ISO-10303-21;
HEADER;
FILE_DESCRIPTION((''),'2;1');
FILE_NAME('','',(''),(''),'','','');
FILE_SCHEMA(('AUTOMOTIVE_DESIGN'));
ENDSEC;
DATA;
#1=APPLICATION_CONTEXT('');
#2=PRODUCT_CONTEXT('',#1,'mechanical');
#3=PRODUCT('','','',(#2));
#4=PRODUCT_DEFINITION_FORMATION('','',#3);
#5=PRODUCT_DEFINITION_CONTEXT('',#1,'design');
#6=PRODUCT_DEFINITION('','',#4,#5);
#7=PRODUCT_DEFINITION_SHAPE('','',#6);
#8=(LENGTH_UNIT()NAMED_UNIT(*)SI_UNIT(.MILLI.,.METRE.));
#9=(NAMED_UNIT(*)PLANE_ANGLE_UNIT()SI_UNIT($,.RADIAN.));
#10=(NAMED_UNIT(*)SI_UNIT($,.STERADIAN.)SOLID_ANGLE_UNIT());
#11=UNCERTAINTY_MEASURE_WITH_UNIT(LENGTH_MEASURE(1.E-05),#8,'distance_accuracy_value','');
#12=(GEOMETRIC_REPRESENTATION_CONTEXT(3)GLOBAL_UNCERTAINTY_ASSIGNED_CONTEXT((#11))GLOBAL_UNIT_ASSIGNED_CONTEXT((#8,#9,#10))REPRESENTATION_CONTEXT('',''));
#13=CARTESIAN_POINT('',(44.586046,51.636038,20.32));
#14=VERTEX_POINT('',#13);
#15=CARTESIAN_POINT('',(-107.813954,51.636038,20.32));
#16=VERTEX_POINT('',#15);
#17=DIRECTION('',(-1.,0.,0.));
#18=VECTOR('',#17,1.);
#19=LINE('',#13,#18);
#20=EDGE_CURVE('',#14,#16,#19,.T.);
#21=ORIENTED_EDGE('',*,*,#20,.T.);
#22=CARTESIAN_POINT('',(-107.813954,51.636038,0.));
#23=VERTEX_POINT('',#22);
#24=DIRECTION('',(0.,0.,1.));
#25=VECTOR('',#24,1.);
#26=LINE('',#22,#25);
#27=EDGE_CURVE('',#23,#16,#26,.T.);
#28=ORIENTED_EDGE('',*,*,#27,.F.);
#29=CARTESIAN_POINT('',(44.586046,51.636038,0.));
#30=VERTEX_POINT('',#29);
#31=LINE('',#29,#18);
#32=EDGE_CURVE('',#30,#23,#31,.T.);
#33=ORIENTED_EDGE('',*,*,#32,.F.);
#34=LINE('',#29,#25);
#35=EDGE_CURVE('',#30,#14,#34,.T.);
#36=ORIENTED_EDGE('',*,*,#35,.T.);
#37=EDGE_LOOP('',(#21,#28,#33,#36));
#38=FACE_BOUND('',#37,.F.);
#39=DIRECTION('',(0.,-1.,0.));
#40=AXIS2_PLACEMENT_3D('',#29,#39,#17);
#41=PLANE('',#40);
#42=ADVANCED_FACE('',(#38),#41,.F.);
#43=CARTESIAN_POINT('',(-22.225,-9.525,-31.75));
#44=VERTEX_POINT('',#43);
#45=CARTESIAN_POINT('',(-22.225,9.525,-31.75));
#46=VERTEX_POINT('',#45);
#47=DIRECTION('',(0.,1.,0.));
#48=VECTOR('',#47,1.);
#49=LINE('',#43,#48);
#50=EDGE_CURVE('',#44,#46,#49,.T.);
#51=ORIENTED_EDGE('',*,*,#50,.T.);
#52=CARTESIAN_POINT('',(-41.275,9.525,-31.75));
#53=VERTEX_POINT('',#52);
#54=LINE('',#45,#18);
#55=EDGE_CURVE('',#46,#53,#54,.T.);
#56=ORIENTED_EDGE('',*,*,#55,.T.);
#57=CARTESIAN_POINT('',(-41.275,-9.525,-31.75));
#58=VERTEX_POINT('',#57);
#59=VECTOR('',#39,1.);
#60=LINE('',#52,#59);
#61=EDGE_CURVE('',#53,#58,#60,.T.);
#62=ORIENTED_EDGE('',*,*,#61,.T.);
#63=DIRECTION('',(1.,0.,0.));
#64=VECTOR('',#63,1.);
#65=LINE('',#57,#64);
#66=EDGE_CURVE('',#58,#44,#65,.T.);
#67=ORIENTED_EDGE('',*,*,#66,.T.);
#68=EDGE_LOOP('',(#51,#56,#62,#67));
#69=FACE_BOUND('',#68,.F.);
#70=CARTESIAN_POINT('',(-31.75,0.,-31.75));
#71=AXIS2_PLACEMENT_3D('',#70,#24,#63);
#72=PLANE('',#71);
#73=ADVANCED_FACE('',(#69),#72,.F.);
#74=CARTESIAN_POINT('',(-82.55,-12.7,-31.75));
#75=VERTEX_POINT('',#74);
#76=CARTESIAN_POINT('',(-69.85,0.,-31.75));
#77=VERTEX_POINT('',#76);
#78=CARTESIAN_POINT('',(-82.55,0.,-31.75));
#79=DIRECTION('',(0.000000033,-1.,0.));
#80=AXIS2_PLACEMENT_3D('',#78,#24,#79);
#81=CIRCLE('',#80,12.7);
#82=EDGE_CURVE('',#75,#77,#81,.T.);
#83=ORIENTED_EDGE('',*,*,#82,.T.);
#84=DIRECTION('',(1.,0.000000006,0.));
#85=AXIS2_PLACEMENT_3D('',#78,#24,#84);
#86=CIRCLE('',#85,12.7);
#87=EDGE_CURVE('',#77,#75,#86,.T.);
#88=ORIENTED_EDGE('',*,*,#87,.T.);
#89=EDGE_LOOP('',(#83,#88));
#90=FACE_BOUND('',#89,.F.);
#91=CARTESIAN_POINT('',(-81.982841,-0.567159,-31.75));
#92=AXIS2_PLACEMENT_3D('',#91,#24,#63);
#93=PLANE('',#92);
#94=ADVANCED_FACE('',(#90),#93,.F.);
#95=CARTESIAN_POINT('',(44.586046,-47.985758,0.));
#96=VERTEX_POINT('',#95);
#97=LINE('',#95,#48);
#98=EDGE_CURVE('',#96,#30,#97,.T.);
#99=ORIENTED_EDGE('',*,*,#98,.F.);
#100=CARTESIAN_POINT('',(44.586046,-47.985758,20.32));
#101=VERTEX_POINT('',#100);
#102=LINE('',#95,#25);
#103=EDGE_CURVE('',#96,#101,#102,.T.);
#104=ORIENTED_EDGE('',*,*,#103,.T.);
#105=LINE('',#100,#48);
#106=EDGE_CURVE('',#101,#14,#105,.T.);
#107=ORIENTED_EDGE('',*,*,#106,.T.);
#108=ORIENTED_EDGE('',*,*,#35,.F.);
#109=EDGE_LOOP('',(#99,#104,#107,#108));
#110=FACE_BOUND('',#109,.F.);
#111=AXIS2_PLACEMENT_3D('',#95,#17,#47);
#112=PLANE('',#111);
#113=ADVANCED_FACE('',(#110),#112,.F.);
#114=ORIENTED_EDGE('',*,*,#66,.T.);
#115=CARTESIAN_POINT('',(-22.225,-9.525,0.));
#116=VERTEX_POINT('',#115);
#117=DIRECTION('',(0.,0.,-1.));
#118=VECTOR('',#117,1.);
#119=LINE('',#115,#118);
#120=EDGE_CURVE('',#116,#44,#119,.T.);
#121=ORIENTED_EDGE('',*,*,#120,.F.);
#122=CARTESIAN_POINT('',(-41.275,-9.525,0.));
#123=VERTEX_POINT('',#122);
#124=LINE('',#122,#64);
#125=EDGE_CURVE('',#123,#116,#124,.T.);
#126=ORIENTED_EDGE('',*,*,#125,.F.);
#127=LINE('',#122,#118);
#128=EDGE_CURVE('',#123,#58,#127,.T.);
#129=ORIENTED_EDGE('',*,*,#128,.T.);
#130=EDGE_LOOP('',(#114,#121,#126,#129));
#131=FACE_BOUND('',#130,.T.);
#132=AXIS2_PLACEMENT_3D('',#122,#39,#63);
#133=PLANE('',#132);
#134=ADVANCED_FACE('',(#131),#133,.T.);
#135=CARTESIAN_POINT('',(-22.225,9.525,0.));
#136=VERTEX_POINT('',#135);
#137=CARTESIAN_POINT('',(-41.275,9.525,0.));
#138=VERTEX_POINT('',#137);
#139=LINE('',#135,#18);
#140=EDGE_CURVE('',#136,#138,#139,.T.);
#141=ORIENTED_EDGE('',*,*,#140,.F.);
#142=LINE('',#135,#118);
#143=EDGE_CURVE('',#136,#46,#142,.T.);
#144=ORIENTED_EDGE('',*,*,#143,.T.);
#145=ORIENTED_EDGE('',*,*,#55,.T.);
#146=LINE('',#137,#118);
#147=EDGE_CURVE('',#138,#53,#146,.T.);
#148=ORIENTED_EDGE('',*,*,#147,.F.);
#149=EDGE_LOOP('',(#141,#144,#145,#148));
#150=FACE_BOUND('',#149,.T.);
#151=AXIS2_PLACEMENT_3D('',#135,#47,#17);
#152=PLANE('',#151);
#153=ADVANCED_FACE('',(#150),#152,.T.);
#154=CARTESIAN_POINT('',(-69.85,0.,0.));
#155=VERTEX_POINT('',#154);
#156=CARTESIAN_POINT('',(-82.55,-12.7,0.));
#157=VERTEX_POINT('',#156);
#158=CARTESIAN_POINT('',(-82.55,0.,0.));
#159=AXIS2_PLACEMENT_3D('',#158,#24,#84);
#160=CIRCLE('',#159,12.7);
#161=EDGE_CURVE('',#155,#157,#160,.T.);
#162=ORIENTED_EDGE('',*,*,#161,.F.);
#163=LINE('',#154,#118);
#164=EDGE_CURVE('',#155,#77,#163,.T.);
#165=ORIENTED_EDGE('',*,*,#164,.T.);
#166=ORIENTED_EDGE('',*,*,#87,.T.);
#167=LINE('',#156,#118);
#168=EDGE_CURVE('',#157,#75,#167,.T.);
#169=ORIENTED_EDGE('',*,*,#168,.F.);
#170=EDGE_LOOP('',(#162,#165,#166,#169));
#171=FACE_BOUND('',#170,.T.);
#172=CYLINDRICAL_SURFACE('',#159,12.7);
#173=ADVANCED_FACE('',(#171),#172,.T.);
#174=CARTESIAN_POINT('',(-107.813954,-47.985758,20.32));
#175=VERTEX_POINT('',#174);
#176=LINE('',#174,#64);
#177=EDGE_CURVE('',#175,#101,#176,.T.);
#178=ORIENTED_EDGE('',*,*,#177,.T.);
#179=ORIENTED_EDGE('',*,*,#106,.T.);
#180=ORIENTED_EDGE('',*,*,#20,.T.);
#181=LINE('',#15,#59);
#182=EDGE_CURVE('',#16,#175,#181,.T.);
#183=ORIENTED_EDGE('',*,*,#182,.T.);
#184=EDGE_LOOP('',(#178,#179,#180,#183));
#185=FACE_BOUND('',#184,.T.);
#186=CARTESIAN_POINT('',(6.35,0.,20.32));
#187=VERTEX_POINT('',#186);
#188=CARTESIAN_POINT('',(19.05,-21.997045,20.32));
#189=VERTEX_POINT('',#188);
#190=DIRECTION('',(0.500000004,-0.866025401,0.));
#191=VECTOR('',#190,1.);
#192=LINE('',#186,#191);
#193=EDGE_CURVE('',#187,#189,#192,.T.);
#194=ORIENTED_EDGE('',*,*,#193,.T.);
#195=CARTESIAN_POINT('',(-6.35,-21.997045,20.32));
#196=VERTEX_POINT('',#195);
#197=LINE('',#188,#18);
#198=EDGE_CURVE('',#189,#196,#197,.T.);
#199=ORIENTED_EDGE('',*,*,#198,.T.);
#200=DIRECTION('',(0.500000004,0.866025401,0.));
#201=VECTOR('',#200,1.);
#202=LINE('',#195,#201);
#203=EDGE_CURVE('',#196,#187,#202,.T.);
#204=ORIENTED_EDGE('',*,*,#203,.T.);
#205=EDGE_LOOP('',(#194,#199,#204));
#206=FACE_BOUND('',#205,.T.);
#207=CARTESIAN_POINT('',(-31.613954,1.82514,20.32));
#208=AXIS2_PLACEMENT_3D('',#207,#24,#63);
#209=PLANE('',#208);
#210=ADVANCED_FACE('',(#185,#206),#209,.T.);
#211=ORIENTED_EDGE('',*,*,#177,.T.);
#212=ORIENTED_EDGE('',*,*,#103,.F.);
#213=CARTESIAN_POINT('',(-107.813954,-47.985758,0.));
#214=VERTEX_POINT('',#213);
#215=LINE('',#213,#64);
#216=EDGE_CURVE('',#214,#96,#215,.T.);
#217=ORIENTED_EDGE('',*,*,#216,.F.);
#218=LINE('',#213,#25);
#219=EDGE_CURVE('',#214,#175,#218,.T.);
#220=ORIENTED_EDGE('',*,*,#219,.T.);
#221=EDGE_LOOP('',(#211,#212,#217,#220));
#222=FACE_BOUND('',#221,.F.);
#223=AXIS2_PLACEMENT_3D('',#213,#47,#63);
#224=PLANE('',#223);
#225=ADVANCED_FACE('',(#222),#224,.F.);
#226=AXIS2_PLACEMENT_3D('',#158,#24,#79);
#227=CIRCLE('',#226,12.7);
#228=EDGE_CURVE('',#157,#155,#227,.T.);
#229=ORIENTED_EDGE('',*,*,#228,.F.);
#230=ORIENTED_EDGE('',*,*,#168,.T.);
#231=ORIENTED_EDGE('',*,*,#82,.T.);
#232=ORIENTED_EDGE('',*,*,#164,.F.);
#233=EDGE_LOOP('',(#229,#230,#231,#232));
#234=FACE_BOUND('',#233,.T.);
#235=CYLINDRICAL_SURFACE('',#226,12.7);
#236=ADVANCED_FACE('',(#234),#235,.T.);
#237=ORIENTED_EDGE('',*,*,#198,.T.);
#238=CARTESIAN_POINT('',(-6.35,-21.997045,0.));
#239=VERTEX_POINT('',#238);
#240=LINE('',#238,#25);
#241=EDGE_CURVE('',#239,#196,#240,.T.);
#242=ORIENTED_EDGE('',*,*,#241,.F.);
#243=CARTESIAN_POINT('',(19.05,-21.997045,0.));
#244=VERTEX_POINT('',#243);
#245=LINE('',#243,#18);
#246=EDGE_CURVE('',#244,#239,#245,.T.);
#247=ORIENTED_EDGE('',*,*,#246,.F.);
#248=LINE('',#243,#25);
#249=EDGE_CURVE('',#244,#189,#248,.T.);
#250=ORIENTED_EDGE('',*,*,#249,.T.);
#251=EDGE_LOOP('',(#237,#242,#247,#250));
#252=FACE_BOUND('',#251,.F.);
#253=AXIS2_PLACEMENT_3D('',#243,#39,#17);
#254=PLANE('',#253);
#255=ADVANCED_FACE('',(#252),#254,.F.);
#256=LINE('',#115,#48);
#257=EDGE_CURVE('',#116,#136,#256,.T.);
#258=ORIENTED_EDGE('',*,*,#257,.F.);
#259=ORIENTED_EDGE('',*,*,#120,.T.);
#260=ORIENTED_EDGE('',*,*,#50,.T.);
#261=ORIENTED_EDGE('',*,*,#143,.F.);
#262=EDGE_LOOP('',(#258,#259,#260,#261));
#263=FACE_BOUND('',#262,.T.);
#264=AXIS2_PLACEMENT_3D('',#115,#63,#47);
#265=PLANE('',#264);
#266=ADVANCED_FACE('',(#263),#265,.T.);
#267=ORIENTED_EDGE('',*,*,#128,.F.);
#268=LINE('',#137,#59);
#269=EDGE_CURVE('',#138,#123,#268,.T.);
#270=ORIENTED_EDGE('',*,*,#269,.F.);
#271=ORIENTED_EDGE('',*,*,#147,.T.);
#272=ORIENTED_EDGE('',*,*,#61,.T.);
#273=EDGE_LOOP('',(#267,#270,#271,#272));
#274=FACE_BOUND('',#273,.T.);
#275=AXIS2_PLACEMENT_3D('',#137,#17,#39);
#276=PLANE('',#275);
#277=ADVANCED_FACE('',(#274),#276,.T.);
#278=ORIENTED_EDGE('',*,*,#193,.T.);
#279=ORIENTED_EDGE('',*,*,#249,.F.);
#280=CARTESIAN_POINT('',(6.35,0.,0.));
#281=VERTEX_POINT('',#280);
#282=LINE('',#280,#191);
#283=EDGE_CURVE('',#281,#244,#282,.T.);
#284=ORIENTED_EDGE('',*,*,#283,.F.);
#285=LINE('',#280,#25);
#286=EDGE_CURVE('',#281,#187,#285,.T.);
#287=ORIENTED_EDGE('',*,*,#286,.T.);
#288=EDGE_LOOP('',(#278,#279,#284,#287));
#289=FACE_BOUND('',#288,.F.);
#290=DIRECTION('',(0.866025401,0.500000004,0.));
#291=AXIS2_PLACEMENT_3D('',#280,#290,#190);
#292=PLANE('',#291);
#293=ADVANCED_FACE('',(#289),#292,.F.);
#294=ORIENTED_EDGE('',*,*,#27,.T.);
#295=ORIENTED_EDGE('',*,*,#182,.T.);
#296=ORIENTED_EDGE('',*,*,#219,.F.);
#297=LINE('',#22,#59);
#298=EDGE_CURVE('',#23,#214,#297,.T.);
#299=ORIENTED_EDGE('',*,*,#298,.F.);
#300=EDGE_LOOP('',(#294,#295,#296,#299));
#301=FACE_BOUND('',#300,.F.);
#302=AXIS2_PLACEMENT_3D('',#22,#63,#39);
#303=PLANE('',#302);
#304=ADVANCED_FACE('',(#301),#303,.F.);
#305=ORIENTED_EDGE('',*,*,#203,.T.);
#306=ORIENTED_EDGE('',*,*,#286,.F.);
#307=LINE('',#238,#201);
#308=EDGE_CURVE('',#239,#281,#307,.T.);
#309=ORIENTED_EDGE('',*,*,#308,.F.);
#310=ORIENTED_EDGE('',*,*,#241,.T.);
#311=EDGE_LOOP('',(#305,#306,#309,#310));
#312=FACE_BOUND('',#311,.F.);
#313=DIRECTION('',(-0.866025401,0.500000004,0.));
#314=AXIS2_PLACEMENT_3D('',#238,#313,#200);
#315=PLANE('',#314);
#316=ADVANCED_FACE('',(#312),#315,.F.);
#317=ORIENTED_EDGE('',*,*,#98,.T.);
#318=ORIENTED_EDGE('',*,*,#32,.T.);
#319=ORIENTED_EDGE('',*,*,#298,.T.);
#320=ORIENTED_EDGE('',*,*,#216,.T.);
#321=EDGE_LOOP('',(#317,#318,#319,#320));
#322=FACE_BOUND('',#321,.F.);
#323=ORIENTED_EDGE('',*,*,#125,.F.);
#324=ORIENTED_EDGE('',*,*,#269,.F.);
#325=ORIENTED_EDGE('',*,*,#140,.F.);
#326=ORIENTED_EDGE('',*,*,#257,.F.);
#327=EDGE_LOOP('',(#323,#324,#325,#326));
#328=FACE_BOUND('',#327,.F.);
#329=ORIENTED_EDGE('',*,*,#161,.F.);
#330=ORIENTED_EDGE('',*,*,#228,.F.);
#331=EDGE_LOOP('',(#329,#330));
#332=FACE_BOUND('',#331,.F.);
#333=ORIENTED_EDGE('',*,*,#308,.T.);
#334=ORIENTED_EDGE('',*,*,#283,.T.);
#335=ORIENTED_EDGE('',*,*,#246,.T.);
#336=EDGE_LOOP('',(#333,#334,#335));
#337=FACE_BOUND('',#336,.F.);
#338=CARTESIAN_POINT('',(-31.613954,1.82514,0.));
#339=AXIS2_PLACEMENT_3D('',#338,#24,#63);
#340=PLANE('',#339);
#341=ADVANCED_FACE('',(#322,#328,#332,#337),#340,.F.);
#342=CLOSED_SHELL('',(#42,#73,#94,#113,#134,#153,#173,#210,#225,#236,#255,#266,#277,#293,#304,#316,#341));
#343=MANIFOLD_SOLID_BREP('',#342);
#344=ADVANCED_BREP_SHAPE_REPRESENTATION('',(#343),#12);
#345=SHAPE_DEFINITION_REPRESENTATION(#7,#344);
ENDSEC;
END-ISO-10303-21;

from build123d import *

# Parameters (mm, degrees)
F1_DEPTH = 20.32
F2_DEPTH = 31.75


with BuildPart() as f1:
    # F0 (on Top) → F1 (new body)
    with BuildSketch(Plane.XY):
        Polygon((-107.813954, -47.985758), (0.136046, -47.985758), (44.586046, -47.985758), (44.586046, 51.636038), (-107.813954, 51.636038), align=None)
        with BuildLine():
            ThreePointArc((-69.85, 0), (-73.569744, -8.980256), (-82.55, -12.7))
            ThreePointArc((-82.55, -12.7), (-91.530256, 8.980256), (-69.85, 0))
        make_face(mode=Mode.SUBTRACT)
        Polygon((-22.225, -9.525), (-31.75, -9.525), (-41.275, -9.525), (-41.275, 9.525), (-22.225, 9.525), align=None, mode=Mode.SUBTRACT)
        Polygon((-6.35, -21.997045), (6.35, 0), (19.05, -21.997045), align=None, mode=Mode.SUBTRACT)
        with BuildLine():
            ThreePointArc((-69.85, 0), (-91.530256, 8.980256), (-82.55, -12.7))
            ThreePointArc((-82.55, -12.7), (-73.569744, -8.980256), (-69.85, 0))
        make_face()
        Polygon((-41.275, -9.525), (-31.75, -9.525), (-22.225, -9.525), (-22.225, 9.525), (-41.275, 9.525), align=None)
    extrude(amount=F1_DEPTH)

    # F0 (on Top) → F2 (join)
    with BuildSketch(Plane.XY):
        with BuildLine():
            ThreePointArc((-69.85, 0), (-91.530256, 8.980256), (-82.55, -12.7))
            ThreePointArc((-82.55, -12.7), (-73.569744, -8.980256), (-69.85, 0))
        make_face()
        Polygon((-41.275, -9.525), (-31.75, -9.525), (-22.225, -9.525), (-22.225, 9.525), (-41.275, 9.525), align=None)
    extrude(amount=-F2_DEPTH)


solid = f1.part
